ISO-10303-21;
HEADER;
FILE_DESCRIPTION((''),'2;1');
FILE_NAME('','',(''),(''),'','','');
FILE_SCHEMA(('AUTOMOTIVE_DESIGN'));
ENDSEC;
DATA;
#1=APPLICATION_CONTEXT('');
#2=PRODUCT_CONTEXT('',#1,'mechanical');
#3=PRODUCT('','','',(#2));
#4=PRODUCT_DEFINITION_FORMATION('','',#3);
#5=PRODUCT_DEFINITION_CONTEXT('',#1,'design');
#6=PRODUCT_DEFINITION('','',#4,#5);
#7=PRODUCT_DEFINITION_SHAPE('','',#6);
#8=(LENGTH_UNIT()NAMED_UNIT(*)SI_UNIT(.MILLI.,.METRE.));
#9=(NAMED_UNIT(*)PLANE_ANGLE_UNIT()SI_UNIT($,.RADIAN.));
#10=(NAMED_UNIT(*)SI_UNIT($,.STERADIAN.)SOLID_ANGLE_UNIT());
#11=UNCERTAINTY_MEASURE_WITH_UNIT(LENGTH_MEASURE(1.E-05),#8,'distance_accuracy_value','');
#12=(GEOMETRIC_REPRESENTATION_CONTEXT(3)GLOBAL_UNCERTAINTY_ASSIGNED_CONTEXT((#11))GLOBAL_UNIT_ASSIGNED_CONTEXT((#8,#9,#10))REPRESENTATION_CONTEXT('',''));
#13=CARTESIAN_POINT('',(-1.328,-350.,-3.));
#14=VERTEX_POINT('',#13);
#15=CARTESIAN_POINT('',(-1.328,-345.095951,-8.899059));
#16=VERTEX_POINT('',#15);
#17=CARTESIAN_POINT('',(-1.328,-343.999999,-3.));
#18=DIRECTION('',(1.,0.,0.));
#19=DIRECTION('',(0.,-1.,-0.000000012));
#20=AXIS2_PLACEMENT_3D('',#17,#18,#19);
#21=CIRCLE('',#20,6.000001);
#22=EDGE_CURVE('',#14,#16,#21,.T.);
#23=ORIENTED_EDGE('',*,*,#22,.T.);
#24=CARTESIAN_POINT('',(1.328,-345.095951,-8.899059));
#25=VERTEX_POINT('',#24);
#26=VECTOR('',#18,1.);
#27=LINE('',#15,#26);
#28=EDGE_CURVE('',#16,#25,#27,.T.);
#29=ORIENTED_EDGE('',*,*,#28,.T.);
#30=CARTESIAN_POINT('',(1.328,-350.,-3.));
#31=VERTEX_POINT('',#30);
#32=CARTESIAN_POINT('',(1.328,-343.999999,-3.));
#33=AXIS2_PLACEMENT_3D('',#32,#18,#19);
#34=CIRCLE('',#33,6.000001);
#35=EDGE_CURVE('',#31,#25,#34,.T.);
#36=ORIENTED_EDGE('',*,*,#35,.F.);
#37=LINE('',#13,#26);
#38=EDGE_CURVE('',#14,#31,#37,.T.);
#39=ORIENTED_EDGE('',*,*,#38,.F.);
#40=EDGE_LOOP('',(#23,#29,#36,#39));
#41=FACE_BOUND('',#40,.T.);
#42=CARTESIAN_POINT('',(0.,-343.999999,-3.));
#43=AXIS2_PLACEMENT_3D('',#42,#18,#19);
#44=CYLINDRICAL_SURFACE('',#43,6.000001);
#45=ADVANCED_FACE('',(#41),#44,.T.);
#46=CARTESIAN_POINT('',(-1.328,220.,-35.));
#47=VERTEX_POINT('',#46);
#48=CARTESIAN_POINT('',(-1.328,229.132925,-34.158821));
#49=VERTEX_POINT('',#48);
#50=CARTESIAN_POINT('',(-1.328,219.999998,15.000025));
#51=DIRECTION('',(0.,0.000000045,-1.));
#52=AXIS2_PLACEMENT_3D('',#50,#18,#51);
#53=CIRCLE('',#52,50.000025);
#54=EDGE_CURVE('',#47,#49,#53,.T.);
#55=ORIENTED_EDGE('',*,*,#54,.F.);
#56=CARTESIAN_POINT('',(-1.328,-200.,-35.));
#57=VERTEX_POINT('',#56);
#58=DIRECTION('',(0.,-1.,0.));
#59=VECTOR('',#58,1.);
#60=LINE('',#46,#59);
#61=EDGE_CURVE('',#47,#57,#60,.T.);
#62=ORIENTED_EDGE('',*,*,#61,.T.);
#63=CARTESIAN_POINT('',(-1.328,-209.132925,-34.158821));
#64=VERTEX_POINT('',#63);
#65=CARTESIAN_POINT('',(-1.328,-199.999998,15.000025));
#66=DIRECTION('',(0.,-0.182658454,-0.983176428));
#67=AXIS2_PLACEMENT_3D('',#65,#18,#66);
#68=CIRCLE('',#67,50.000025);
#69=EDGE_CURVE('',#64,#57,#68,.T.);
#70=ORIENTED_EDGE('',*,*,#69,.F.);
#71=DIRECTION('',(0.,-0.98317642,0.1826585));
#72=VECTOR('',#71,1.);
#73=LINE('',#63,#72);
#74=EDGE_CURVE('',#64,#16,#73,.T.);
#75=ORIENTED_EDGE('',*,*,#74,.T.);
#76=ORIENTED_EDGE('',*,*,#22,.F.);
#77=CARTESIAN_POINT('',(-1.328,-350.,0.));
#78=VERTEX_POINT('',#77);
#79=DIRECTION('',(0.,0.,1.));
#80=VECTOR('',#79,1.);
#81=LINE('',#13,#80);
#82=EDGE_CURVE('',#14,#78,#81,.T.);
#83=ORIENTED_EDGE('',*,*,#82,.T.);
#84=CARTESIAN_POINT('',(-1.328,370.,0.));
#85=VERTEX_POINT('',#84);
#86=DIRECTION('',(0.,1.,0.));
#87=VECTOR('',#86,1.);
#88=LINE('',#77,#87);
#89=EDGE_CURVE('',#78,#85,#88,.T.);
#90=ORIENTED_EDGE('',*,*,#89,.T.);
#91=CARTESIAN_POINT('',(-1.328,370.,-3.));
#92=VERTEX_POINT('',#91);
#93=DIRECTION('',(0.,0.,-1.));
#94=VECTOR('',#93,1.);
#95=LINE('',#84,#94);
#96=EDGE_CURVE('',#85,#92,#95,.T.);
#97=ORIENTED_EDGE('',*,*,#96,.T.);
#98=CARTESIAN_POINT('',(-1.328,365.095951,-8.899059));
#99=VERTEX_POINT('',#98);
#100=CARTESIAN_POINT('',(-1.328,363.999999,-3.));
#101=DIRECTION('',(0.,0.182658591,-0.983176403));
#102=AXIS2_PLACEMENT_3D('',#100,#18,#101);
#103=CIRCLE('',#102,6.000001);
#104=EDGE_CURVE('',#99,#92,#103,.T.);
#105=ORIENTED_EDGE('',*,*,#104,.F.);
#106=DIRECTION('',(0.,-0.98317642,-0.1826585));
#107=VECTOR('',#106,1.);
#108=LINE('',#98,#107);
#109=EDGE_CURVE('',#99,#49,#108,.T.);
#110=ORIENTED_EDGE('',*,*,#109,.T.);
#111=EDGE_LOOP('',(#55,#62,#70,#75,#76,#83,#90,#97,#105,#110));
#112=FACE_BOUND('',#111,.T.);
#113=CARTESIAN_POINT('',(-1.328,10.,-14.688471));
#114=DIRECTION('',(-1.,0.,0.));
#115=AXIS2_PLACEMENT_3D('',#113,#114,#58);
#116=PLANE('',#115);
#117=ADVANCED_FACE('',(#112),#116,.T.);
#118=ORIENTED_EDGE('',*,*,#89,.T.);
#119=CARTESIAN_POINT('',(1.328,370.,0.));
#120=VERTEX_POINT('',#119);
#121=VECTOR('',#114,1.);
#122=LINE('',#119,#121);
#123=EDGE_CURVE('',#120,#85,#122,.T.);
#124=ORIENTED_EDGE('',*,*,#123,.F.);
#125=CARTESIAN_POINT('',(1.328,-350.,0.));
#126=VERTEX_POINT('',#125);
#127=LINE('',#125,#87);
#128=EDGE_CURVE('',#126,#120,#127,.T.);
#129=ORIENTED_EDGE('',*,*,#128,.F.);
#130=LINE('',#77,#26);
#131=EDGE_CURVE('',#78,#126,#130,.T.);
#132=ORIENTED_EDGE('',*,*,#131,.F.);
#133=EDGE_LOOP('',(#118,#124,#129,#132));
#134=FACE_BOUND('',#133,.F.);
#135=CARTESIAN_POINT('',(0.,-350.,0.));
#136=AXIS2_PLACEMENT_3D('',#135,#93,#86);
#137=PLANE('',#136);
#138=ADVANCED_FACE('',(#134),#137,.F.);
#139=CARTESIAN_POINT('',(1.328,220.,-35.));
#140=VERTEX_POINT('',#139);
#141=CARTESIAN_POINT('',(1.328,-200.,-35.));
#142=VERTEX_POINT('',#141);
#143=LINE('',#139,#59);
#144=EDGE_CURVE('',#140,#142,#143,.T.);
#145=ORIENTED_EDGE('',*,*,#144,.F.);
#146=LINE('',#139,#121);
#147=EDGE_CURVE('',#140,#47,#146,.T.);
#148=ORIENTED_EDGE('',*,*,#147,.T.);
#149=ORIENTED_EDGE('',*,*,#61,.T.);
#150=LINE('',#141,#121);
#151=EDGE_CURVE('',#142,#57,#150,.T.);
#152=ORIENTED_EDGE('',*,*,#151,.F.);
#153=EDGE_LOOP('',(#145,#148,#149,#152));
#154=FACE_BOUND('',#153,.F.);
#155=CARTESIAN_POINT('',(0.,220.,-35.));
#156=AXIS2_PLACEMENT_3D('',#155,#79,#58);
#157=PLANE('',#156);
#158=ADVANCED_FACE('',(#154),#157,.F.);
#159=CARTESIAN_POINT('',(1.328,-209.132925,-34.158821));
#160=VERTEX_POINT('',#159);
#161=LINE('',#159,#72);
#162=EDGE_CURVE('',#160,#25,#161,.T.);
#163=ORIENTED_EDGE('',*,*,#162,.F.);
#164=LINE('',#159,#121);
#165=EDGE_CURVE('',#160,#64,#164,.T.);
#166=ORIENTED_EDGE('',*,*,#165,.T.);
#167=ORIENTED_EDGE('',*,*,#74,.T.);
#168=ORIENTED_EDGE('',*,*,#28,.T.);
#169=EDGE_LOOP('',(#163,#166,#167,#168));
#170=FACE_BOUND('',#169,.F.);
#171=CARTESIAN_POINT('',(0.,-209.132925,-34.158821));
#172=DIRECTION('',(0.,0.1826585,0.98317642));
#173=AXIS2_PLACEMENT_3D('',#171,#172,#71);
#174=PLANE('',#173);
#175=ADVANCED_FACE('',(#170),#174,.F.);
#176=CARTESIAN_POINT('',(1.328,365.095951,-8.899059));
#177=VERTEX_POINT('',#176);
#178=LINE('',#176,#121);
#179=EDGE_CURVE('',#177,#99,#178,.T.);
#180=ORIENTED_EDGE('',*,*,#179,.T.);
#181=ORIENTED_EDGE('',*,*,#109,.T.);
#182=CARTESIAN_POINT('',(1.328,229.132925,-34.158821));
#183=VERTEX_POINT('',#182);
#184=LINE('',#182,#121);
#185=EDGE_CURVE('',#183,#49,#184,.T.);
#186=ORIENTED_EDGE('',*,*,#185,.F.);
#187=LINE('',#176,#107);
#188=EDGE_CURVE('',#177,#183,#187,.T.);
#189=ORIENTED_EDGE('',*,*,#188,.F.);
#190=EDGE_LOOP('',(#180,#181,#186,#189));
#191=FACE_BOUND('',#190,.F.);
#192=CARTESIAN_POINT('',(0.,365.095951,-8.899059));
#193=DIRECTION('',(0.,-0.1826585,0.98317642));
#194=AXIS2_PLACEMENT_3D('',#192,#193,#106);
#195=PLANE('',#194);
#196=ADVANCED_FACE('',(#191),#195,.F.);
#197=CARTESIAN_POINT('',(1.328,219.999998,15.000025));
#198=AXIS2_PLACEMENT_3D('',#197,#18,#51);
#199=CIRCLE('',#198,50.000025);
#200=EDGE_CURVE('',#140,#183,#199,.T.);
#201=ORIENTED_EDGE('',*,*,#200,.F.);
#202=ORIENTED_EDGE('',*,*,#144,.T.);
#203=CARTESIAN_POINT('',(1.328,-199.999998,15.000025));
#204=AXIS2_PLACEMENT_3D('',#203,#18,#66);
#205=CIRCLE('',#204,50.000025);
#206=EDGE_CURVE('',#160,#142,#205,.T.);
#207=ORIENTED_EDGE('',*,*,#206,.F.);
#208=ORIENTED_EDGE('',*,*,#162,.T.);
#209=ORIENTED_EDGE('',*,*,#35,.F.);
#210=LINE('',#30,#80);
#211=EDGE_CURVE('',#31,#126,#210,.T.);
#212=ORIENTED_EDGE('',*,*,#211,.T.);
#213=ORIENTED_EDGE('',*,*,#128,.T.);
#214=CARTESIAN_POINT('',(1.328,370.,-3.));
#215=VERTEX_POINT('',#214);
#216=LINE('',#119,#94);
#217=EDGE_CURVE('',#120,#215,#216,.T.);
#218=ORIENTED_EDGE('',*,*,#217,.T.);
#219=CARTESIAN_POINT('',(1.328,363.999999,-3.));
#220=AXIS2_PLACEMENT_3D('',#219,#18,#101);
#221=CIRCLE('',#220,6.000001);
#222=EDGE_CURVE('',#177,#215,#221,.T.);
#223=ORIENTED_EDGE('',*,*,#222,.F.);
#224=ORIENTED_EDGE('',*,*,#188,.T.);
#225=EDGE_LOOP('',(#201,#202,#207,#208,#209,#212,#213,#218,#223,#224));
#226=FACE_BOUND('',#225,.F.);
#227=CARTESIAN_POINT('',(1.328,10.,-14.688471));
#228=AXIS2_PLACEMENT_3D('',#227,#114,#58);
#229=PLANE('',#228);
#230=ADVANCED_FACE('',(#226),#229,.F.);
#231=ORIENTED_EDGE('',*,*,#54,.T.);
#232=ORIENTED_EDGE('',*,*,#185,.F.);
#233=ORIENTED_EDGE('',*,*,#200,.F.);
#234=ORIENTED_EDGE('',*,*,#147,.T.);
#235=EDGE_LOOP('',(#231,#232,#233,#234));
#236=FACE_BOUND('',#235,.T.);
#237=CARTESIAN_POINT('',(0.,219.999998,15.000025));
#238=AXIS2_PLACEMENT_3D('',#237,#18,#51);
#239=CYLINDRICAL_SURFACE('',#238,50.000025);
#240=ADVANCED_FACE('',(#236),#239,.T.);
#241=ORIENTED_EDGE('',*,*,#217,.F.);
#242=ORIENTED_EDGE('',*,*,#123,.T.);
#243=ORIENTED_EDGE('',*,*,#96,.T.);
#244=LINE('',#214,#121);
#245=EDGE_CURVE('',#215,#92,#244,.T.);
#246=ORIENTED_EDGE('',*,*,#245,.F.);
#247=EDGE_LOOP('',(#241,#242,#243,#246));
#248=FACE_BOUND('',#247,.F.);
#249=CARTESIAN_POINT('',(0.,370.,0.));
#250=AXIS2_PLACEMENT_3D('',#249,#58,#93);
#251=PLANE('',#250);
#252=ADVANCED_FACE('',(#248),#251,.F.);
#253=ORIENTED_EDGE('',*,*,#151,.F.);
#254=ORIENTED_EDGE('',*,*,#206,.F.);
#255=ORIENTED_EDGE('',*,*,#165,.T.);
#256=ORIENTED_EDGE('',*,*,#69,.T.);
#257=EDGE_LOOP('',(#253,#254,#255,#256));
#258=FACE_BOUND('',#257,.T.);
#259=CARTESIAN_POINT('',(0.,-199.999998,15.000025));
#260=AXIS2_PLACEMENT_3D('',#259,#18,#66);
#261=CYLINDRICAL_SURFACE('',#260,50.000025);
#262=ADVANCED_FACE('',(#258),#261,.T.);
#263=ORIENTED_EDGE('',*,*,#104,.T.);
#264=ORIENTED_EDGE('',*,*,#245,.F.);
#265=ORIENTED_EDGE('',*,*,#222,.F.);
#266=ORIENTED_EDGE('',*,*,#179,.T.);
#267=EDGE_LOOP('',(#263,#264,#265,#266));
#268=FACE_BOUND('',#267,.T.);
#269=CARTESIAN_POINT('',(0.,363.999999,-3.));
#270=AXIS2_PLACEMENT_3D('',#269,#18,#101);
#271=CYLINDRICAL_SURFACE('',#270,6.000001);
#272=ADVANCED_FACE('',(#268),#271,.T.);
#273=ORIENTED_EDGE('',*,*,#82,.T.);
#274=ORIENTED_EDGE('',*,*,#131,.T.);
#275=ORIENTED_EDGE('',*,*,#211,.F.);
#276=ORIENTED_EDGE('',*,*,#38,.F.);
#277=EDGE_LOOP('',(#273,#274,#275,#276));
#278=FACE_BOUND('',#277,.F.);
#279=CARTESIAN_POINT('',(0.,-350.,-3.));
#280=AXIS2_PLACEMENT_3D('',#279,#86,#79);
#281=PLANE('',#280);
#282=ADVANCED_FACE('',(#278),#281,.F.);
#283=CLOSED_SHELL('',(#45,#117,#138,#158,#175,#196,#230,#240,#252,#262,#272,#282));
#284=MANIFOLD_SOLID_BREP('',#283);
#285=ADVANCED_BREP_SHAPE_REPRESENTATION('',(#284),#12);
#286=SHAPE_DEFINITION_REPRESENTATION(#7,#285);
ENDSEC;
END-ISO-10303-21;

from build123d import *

# Parameters (mm, degrees)
PAD_DEPTH = 1.328


with BuildPart() as part:
    # Sketch → Pad (new body, symmetric)
    with BuildSketch(Plane.YZ):
        with BuildLine():
            Line((-350, 0), (370, 0))
            Line((370, 0), (370, -3))
            ThreePointArc((365.095951, -8.899059), (368.613876, -6.835642), (370, -3))
            Line((365.095951, -8.899059), (229.132925, -34.158821))
            ThreePointArc((220, -35), (224.585791, -34.789261), (229.132925, -34.158821))
            Line((220, -35), (-200, -35))
            ThreePointArc((-209.132925, -34.158821), (-204.585791, -34.789261), (-200, -35))
            Line((-209.132925, -34.158821), (-345.095951, -8.899059))
            ThreePointArc((-350, -3), (-348.613876, -6.835642), (-345.095951, -8.899059))
            Line((-350, -3), (-350, 0))
        make_face()
    extrude(amount=PAD_DEPTH, both=True)


solid = part.part
